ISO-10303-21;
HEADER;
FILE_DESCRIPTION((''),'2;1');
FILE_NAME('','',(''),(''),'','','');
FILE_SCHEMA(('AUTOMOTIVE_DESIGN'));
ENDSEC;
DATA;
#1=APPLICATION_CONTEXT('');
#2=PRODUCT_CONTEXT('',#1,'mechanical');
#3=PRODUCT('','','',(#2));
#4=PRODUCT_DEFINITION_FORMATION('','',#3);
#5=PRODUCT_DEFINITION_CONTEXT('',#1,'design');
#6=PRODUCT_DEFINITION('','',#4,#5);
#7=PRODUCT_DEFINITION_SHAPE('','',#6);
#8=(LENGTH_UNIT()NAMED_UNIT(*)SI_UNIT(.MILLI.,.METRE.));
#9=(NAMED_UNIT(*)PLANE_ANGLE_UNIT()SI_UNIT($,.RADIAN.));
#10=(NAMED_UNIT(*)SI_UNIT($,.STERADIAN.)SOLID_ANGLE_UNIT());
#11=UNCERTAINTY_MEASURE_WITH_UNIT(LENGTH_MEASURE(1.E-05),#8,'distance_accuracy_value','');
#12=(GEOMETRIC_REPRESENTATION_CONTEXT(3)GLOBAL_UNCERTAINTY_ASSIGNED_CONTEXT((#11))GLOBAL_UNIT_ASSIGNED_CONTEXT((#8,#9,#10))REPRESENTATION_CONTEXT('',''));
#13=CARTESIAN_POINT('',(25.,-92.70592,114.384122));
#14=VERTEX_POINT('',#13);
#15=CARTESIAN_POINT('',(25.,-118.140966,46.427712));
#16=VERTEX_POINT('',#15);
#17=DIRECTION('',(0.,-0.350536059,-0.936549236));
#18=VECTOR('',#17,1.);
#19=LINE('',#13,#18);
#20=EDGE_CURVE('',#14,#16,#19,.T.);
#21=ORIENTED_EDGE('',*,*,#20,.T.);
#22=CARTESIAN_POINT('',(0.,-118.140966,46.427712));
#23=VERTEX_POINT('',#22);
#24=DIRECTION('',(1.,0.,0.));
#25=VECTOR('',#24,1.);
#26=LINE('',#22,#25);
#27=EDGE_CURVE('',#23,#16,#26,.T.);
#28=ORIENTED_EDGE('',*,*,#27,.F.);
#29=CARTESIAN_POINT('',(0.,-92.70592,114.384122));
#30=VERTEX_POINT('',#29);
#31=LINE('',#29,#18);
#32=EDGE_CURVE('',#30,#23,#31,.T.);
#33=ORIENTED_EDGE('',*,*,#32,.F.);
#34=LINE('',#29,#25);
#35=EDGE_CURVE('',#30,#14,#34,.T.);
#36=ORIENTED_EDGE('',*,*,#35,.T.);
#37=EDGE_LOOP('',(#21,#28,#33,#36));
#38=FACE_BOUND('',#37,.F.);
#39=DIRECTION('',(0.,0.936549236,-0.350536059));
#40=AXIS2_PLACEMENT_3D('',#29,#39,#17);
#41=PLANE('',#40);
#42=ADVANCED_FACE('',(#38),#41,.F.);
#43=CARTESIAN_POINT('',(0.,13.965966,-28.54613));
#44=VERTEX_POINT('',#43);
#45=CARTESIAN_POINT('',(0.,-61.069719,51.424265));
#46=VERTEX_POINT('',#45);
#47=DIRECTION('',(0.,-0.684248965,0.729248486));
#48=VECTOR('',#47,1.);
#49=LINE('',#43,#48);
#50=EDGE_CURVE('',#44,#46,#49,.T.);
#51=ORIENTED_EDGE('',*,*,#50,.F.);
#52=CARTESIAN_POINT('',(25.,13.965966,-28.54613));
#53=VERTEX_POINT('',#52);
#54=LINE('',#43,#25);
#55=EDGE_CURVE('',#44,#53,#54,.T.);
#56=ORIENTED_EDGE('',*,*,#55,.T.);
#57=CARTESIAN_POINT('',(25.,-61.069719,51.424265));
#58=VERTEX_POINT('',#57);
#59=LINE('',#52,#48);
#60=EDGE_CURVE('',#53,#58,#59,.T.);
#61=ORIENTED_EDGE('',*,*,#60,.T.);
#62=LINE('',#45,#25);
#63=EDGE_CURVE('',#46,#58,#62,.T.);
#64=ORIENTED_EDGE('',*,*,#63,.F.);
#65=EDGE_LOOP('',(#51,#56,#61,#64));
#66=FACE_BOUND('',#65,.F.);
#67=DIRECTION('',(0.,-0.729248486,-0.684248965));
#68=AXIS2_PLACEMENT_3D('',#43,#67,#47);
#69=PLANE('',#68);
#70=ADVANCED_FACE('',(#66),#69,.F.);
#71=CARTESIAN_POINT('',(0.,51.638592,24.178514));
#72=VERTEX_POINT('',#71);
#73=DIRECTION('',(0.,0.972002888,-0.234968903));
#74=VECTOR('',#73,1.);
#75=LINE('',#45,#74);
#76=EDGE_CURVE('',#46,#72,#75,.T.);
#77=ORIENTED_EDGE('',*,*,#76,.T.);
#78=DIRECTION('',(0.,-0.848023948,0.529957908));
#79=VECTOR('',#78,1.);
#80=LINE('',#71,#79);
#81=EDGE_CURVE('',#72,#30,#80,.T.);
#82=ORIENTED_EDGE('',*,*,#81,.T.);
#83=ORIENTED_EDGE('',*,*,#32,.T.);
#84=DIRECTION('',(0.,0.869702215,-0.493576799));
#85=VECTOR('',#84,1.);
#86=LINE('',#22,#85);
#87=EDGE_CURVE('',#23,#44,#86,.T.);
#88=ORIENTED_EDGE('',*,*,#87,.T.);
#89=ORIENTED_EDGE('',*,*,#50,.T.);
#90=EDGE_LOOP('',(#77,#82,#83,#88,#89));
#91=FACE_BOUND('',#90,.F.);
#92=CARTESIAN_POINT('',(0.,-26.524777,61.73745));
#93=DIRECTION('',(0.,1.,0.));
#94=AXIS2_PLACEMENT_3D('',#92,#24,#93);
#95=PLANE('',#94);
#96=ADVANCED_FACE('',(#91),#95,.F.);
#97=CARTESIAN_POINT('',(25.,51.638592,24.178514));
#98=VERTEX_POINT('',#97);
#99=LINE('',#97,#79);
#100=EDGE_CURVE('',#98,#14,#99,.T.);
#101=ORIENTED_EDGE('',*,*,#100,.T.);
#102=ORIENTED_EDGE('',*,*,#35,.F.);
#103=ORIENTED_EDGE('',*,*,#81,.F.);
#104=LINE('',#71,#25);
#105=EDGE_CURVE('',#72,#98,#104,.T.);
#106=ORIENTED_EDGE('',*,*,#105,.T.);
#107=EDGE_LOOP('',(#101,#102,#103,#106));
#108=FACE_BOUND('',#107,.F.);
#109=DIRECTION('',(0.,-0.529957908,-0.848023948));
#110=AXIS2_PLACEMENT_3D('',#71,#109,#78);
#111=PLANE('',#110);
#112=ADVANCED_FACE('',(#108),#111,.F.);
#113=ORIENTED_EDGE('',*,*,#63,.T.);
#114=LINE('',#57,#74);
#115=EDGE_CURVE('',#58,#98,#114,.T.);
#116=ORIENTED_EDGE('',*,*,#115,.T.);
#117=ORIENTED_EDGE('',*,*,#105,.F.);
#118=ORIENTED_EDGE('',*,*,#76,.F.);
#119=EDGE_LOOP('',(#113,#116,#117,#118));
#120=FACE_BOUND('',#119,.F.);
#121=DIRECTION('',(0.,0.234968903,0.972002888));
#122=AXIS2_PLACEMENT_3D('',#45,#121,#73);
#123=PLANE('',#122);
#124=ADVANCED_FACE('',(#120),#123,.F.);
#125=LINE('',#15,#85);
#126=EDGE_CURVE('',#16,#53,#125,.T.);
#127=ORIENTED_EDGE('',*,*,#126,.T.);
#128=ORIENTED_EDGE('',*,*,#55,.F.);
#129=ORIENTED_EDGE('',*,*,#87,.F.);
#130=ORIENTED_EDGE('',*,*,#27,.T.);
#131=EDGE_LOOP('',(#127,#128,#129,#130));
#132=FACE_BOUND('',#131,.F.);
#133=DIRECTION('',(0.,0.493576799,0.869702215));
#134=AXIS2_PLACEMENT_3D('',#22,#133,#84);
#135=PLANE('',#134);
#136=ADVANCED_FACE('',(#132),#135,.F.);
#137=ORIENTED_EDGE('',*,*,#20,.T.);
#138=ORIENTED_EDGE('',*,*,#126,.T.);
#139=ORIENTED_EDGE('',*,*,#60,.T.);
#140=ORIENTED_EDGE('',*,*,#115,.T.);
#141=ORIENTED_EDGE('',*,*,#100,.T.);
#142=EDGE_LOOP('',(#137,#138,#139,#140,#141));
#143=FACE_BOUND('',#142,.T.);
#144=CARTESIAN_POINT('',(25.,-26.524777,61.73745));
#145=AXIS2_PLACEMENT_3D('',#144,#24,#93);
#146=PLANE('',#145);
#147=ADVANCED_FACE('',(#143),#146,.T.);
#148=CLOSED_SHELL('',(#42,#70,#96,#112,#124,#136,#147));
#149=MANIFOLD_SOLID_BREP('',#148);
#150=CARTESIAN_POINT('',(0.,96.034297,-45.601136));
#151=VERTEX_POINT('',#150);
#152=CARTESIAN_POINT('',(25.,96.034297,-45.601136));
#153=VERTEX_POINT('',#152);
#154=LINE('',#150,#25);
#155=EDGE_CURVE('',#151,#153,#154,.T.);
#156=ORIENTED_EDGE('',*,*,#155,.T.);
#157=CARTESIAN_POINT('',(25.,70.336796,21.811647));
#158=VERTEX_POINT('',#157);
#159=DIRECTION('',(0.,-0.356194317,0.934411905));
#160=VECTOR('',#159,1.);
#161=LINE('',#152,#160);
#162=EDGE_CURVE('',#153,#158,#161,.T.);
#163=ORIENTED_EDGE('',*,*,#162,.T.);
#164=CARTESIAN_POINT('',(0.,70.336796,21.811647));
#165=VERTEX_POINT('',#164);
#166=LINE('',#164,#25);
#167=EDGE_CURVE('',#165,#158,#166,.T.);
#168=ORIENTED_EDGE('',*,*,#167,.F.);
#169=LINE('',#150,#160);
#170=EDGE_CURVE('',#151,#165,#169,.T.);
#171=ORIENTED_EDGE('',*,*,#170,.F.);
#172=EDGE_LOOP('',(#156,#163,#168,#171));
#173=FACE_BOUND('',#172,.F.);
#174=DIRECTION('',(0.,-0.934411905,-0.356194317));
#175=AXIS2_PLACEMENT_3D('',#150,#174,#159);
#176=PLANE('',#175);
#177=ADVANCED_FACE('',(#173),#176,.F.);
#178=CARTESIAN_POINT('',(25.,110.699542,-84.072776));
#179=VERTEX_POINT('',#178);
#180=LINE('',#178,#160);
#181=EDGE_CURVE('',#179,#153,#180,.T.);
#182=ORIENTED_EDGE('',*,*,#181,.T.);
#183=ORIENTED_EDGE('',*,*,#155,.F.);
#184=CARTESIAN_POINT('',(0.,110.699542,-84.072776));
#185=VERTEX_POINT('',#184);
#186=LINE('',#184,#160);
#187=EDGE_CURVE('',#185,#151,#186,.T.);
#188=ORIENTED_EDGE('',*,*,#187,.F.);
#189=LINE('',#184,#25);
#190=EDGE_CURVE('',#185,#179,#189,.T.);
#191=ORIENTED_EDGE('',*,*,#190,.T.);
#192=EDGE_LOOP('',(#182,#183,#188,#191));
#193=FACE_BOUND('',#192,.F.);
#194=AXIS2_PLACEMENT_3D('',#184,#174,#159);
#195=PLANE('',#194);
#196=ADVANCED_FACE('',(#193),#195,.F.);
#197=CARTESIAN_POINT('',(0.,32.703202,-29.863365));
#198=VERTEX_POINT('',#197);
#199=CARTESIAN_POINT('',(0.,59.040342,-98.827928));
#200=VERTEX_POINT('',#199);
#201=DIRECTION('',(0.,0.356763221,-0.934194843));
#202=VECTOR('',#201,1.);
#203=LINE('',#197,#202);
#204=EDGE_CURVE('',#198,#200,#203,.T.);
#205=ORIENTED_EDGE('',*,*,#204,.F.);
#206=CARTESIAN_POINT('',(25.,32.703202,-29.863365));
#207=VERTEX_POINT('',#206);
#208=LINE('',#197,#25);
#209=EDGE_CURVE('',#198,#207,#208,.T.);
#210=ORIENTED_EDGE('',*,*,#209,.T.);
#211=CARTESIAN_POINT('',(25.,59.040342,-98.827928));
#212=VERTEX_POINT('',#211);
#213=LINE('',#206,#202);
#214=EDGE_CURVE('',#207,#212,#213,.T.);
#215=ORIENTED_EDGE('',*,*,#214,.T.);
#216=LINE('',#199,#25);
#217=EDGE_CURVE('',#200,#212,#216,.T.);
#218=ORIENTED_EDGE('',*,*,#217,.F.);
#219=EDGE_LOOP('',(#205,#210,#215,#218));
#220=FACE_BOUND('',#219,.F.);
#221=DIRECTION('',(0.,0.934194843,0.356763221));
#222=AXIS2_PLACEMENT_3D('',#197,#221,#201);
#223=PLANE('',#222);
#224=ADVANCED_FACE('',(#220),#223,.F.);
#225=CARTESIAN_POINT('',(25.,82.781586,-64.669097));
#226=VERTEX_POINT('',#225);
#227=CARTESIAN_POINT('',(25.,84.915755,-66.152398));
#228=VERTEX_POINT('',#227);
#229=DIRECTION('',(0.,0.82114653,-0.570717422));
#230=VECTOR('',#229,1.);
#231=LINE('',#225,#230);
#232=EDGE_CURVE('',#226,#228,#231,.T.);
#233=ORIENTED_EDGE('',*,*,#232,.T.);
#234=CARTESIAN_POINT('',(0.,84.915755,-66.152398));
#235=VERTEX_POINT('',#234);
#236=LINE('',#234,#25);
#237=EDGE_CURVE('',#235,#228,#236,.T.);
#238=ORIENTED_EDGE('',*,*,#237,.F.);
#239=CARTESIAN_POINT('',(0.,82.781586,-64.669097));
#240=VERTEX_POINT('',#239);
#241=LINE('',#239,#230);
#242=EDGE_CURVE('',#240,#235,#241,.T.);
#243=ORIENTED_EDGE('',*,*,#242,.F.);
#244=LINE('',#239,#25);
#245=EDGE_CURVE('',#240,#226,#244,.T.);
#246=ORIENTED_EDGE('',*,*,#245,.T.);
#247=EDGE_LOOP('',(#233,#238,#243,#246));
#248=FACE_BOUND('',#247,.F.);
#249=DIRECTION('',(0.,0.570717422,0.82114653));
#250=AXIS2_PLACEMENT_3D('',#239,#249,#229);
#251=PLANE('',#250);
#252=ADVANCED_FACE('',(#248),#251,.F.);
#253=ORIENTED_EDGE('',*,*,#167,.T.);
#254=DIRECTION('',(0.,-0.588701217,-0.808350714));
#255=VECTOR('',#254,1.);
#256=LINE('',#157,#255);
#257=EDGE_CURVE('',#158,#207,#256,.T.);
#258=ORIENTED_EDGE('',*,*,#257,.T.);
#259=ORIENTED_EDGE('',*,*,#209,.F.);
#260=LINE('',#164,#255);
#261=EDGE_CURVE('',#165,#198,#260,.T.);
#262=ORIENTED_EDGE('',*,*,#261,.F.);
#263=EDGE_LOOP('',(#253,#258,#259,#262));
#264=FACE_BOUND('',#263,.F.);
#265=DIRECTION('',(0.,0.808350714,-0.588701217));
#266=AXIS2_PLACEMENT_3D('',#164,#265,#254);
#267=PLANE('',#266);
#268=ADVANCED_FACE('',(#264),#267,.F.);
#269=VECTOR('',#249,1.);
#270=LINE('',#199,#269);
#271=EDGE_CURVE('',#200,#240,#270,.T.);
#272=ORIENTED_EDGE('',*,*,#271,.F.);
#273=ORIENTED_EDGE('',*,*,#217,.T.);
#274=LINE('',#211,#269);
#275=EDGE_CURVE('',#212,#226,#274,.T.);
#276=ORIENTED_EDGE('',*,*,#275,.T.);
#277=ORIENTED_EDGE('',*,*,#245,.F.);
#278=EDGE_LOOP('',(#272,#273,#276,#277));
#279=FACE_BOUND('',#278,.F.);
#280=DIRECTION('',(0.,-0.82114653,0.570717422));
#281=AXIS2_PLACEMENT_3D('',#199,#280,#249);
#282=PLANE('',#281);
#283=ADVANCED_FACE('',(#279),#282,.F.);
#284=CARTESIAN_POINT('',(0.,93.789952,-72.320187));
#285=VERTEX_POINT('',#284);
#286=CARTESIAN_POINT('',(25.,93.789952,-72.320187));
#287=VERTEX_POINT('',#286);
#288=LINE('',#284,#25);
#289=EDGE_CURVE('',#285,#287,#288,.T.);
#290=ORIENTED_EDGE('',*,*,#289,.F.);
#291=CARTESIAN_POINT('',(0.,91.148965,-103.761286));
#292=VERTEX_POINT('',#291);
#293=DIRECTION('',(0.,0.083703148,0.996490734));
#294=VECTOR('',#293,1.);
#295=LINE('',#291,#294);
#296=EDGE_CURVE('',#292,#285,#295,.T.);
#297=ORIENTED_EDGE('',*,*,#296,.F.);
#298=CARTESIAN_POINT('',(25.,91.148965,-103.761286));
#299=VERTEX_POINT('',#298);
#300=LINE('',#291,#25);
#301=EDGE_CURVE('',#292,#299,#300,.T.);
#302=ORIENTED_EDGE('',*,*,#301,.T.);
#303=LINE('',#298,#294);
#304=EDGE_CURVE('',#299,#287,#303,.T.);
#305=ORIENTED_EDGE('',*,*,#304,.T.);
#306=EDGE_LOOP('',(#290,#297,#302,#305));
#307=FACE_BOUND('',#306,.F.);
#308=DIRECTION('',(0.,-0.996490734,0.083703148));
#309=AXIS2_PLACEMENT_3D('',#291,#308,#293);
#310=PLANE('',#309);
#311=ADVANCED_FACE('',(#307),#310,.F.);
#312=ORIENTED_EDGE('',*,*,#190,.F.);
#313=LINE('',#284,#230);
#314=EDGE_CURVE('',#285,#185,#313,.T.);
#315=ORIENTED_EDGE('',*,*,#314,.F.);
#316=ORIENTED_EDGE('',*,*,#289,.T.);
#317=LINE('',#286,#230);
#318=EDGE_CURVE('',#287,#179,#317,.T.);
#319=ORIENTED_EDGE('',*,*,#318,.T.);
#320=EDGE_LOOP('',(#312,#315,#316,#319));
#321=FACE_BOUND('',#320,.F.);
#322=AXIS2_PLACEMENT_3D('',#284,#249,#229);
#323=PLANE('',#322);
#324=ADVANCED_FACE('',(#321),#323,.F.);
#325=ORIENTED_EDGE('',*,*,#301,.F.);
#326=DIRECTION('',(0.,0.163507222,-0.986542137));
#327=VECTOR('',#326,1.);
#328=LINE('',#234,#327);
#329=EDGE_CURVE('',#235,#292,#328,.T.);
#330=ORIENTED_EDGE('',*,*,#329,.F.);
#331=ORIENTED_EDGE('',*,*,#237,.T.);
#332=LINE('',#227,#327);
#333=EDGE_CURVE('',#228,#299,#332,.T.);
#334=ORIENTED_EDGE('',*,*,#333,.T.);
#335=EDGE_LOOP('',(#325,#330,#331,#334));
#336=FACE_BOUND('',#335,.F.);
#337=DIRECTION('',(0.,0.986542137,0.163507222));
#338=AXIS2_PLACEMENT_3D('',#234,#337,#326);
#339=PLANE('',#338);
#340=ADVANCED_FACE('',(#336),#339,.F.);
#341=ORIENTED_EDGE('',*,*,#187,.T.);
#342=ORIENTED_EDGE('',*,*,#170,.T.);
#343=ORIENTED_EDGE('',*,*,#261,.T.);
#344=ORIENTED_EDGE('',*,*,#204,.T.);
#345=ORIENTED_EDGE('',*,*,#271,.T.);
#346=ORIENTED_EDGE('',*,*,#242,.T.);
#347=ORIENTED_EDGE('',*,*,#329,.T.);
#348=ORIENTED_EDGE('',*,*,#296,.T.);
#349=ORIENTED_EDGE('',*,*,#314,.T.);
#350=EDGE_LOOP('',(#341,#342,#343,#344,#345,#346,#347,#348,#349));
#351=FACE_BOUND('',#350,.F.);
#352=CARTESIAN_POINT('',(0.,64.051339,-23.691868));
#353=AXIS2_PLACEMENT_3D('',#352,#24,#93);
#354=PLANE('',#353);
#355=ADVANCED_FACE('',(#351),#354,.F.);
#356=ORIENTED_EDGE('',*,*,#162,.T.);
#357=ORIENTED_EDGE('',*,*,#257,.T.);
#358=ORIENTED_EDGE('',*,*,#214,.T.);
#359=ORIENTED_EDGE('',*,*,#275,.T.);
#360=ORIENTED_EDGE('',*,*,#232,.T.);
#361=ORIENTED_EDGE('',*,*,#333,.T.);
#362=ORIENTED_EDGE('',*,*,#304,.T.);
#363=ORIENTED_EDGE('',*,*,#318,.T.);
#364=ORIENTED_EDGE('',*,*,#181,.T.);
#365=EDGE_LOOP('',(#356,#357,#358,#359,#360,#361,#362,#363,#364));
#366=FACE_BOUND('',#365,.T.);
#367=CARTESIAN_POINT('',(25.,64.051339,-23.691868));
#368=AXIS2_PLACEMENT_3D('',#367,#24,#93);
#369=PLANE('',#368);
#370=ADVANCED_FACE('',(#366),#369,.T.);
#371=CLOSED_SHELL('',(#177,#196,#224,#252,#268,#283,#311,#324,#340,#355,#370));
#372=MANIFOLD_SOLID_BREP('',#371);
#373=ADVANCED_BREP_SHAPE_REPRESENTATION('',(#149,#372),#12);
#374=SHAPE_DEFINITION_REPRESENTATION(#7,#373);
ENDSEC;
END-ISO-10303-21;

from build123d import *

# Parameters (mm, degrees)
F2_DEPTH = 25
F4_DEPTH = 25


with BuildPart() as f2:
    # F1 (on Right) → F2 (new body)
    with BuildSketch(Plane.YZ):
        Polygon((84.3063225366, -62.4753099153), (70.3367963433, 21.8116473407), (32.7032022178, -29.8633649945), (82.7815856739, -64.6690967818), align=None)
        Polygon((96.0342966417, -45.6011356272), (70.3367963433, 21.8116473407), (84.3063225366, -62.4753099153), align=None)
        Polygon((93.789951899, -72.3201872485), (96.0342966417, -45.6011356272), (84.3063225366, -62.4753099153), (84.9157545944, -66.1523976775), align=None)
        Polygon((110.6995418668, -84.0727761388), (96.0342966417, -45.6011356272), (93.789951899, -72.3201872485), align=None)
        Polygon((82.7815856739, -64.6690967818), (32.7032022178, -29.8633649945), (59.0403415263, -98.8279283047), align=None)
        Polygon((84.9157545944, -66.1523976775), (84.3063225366, -62.4753099153), (82.7815856739, -64.6690967818), align=None)
        Polygon((91.1489650607, -103.7612855434), (93.789951899, -72.3201872485), (84.9157545944, -66.1523976775), align=None)
    extrude(amount=F2_DEPTH)


with BuildPart() as f4:
    # F3 (on face) → F4 (new body)
    with BuildSketch(Plane.YZ):
        Polygon((-61.0697194934, 51.4242649078), (51.6385920346, 24.1785142571), (-92.7059203386, 114.3841221929), align=None)
        Polygon((-61.0697194934, 51.4242649078), (-92.7059203386, 114.3841221929), (-118.1409657001, 46.4277118444), align=None)
        Polygon((13.96596618, -28.5461302847), (-61.0697194934, 51.4242649078), (-118.1409657001, 46.4277118444), align=None)
    extrude(amount=F4_DEPTH)


solid = Compound([f2.part, f4.part])
